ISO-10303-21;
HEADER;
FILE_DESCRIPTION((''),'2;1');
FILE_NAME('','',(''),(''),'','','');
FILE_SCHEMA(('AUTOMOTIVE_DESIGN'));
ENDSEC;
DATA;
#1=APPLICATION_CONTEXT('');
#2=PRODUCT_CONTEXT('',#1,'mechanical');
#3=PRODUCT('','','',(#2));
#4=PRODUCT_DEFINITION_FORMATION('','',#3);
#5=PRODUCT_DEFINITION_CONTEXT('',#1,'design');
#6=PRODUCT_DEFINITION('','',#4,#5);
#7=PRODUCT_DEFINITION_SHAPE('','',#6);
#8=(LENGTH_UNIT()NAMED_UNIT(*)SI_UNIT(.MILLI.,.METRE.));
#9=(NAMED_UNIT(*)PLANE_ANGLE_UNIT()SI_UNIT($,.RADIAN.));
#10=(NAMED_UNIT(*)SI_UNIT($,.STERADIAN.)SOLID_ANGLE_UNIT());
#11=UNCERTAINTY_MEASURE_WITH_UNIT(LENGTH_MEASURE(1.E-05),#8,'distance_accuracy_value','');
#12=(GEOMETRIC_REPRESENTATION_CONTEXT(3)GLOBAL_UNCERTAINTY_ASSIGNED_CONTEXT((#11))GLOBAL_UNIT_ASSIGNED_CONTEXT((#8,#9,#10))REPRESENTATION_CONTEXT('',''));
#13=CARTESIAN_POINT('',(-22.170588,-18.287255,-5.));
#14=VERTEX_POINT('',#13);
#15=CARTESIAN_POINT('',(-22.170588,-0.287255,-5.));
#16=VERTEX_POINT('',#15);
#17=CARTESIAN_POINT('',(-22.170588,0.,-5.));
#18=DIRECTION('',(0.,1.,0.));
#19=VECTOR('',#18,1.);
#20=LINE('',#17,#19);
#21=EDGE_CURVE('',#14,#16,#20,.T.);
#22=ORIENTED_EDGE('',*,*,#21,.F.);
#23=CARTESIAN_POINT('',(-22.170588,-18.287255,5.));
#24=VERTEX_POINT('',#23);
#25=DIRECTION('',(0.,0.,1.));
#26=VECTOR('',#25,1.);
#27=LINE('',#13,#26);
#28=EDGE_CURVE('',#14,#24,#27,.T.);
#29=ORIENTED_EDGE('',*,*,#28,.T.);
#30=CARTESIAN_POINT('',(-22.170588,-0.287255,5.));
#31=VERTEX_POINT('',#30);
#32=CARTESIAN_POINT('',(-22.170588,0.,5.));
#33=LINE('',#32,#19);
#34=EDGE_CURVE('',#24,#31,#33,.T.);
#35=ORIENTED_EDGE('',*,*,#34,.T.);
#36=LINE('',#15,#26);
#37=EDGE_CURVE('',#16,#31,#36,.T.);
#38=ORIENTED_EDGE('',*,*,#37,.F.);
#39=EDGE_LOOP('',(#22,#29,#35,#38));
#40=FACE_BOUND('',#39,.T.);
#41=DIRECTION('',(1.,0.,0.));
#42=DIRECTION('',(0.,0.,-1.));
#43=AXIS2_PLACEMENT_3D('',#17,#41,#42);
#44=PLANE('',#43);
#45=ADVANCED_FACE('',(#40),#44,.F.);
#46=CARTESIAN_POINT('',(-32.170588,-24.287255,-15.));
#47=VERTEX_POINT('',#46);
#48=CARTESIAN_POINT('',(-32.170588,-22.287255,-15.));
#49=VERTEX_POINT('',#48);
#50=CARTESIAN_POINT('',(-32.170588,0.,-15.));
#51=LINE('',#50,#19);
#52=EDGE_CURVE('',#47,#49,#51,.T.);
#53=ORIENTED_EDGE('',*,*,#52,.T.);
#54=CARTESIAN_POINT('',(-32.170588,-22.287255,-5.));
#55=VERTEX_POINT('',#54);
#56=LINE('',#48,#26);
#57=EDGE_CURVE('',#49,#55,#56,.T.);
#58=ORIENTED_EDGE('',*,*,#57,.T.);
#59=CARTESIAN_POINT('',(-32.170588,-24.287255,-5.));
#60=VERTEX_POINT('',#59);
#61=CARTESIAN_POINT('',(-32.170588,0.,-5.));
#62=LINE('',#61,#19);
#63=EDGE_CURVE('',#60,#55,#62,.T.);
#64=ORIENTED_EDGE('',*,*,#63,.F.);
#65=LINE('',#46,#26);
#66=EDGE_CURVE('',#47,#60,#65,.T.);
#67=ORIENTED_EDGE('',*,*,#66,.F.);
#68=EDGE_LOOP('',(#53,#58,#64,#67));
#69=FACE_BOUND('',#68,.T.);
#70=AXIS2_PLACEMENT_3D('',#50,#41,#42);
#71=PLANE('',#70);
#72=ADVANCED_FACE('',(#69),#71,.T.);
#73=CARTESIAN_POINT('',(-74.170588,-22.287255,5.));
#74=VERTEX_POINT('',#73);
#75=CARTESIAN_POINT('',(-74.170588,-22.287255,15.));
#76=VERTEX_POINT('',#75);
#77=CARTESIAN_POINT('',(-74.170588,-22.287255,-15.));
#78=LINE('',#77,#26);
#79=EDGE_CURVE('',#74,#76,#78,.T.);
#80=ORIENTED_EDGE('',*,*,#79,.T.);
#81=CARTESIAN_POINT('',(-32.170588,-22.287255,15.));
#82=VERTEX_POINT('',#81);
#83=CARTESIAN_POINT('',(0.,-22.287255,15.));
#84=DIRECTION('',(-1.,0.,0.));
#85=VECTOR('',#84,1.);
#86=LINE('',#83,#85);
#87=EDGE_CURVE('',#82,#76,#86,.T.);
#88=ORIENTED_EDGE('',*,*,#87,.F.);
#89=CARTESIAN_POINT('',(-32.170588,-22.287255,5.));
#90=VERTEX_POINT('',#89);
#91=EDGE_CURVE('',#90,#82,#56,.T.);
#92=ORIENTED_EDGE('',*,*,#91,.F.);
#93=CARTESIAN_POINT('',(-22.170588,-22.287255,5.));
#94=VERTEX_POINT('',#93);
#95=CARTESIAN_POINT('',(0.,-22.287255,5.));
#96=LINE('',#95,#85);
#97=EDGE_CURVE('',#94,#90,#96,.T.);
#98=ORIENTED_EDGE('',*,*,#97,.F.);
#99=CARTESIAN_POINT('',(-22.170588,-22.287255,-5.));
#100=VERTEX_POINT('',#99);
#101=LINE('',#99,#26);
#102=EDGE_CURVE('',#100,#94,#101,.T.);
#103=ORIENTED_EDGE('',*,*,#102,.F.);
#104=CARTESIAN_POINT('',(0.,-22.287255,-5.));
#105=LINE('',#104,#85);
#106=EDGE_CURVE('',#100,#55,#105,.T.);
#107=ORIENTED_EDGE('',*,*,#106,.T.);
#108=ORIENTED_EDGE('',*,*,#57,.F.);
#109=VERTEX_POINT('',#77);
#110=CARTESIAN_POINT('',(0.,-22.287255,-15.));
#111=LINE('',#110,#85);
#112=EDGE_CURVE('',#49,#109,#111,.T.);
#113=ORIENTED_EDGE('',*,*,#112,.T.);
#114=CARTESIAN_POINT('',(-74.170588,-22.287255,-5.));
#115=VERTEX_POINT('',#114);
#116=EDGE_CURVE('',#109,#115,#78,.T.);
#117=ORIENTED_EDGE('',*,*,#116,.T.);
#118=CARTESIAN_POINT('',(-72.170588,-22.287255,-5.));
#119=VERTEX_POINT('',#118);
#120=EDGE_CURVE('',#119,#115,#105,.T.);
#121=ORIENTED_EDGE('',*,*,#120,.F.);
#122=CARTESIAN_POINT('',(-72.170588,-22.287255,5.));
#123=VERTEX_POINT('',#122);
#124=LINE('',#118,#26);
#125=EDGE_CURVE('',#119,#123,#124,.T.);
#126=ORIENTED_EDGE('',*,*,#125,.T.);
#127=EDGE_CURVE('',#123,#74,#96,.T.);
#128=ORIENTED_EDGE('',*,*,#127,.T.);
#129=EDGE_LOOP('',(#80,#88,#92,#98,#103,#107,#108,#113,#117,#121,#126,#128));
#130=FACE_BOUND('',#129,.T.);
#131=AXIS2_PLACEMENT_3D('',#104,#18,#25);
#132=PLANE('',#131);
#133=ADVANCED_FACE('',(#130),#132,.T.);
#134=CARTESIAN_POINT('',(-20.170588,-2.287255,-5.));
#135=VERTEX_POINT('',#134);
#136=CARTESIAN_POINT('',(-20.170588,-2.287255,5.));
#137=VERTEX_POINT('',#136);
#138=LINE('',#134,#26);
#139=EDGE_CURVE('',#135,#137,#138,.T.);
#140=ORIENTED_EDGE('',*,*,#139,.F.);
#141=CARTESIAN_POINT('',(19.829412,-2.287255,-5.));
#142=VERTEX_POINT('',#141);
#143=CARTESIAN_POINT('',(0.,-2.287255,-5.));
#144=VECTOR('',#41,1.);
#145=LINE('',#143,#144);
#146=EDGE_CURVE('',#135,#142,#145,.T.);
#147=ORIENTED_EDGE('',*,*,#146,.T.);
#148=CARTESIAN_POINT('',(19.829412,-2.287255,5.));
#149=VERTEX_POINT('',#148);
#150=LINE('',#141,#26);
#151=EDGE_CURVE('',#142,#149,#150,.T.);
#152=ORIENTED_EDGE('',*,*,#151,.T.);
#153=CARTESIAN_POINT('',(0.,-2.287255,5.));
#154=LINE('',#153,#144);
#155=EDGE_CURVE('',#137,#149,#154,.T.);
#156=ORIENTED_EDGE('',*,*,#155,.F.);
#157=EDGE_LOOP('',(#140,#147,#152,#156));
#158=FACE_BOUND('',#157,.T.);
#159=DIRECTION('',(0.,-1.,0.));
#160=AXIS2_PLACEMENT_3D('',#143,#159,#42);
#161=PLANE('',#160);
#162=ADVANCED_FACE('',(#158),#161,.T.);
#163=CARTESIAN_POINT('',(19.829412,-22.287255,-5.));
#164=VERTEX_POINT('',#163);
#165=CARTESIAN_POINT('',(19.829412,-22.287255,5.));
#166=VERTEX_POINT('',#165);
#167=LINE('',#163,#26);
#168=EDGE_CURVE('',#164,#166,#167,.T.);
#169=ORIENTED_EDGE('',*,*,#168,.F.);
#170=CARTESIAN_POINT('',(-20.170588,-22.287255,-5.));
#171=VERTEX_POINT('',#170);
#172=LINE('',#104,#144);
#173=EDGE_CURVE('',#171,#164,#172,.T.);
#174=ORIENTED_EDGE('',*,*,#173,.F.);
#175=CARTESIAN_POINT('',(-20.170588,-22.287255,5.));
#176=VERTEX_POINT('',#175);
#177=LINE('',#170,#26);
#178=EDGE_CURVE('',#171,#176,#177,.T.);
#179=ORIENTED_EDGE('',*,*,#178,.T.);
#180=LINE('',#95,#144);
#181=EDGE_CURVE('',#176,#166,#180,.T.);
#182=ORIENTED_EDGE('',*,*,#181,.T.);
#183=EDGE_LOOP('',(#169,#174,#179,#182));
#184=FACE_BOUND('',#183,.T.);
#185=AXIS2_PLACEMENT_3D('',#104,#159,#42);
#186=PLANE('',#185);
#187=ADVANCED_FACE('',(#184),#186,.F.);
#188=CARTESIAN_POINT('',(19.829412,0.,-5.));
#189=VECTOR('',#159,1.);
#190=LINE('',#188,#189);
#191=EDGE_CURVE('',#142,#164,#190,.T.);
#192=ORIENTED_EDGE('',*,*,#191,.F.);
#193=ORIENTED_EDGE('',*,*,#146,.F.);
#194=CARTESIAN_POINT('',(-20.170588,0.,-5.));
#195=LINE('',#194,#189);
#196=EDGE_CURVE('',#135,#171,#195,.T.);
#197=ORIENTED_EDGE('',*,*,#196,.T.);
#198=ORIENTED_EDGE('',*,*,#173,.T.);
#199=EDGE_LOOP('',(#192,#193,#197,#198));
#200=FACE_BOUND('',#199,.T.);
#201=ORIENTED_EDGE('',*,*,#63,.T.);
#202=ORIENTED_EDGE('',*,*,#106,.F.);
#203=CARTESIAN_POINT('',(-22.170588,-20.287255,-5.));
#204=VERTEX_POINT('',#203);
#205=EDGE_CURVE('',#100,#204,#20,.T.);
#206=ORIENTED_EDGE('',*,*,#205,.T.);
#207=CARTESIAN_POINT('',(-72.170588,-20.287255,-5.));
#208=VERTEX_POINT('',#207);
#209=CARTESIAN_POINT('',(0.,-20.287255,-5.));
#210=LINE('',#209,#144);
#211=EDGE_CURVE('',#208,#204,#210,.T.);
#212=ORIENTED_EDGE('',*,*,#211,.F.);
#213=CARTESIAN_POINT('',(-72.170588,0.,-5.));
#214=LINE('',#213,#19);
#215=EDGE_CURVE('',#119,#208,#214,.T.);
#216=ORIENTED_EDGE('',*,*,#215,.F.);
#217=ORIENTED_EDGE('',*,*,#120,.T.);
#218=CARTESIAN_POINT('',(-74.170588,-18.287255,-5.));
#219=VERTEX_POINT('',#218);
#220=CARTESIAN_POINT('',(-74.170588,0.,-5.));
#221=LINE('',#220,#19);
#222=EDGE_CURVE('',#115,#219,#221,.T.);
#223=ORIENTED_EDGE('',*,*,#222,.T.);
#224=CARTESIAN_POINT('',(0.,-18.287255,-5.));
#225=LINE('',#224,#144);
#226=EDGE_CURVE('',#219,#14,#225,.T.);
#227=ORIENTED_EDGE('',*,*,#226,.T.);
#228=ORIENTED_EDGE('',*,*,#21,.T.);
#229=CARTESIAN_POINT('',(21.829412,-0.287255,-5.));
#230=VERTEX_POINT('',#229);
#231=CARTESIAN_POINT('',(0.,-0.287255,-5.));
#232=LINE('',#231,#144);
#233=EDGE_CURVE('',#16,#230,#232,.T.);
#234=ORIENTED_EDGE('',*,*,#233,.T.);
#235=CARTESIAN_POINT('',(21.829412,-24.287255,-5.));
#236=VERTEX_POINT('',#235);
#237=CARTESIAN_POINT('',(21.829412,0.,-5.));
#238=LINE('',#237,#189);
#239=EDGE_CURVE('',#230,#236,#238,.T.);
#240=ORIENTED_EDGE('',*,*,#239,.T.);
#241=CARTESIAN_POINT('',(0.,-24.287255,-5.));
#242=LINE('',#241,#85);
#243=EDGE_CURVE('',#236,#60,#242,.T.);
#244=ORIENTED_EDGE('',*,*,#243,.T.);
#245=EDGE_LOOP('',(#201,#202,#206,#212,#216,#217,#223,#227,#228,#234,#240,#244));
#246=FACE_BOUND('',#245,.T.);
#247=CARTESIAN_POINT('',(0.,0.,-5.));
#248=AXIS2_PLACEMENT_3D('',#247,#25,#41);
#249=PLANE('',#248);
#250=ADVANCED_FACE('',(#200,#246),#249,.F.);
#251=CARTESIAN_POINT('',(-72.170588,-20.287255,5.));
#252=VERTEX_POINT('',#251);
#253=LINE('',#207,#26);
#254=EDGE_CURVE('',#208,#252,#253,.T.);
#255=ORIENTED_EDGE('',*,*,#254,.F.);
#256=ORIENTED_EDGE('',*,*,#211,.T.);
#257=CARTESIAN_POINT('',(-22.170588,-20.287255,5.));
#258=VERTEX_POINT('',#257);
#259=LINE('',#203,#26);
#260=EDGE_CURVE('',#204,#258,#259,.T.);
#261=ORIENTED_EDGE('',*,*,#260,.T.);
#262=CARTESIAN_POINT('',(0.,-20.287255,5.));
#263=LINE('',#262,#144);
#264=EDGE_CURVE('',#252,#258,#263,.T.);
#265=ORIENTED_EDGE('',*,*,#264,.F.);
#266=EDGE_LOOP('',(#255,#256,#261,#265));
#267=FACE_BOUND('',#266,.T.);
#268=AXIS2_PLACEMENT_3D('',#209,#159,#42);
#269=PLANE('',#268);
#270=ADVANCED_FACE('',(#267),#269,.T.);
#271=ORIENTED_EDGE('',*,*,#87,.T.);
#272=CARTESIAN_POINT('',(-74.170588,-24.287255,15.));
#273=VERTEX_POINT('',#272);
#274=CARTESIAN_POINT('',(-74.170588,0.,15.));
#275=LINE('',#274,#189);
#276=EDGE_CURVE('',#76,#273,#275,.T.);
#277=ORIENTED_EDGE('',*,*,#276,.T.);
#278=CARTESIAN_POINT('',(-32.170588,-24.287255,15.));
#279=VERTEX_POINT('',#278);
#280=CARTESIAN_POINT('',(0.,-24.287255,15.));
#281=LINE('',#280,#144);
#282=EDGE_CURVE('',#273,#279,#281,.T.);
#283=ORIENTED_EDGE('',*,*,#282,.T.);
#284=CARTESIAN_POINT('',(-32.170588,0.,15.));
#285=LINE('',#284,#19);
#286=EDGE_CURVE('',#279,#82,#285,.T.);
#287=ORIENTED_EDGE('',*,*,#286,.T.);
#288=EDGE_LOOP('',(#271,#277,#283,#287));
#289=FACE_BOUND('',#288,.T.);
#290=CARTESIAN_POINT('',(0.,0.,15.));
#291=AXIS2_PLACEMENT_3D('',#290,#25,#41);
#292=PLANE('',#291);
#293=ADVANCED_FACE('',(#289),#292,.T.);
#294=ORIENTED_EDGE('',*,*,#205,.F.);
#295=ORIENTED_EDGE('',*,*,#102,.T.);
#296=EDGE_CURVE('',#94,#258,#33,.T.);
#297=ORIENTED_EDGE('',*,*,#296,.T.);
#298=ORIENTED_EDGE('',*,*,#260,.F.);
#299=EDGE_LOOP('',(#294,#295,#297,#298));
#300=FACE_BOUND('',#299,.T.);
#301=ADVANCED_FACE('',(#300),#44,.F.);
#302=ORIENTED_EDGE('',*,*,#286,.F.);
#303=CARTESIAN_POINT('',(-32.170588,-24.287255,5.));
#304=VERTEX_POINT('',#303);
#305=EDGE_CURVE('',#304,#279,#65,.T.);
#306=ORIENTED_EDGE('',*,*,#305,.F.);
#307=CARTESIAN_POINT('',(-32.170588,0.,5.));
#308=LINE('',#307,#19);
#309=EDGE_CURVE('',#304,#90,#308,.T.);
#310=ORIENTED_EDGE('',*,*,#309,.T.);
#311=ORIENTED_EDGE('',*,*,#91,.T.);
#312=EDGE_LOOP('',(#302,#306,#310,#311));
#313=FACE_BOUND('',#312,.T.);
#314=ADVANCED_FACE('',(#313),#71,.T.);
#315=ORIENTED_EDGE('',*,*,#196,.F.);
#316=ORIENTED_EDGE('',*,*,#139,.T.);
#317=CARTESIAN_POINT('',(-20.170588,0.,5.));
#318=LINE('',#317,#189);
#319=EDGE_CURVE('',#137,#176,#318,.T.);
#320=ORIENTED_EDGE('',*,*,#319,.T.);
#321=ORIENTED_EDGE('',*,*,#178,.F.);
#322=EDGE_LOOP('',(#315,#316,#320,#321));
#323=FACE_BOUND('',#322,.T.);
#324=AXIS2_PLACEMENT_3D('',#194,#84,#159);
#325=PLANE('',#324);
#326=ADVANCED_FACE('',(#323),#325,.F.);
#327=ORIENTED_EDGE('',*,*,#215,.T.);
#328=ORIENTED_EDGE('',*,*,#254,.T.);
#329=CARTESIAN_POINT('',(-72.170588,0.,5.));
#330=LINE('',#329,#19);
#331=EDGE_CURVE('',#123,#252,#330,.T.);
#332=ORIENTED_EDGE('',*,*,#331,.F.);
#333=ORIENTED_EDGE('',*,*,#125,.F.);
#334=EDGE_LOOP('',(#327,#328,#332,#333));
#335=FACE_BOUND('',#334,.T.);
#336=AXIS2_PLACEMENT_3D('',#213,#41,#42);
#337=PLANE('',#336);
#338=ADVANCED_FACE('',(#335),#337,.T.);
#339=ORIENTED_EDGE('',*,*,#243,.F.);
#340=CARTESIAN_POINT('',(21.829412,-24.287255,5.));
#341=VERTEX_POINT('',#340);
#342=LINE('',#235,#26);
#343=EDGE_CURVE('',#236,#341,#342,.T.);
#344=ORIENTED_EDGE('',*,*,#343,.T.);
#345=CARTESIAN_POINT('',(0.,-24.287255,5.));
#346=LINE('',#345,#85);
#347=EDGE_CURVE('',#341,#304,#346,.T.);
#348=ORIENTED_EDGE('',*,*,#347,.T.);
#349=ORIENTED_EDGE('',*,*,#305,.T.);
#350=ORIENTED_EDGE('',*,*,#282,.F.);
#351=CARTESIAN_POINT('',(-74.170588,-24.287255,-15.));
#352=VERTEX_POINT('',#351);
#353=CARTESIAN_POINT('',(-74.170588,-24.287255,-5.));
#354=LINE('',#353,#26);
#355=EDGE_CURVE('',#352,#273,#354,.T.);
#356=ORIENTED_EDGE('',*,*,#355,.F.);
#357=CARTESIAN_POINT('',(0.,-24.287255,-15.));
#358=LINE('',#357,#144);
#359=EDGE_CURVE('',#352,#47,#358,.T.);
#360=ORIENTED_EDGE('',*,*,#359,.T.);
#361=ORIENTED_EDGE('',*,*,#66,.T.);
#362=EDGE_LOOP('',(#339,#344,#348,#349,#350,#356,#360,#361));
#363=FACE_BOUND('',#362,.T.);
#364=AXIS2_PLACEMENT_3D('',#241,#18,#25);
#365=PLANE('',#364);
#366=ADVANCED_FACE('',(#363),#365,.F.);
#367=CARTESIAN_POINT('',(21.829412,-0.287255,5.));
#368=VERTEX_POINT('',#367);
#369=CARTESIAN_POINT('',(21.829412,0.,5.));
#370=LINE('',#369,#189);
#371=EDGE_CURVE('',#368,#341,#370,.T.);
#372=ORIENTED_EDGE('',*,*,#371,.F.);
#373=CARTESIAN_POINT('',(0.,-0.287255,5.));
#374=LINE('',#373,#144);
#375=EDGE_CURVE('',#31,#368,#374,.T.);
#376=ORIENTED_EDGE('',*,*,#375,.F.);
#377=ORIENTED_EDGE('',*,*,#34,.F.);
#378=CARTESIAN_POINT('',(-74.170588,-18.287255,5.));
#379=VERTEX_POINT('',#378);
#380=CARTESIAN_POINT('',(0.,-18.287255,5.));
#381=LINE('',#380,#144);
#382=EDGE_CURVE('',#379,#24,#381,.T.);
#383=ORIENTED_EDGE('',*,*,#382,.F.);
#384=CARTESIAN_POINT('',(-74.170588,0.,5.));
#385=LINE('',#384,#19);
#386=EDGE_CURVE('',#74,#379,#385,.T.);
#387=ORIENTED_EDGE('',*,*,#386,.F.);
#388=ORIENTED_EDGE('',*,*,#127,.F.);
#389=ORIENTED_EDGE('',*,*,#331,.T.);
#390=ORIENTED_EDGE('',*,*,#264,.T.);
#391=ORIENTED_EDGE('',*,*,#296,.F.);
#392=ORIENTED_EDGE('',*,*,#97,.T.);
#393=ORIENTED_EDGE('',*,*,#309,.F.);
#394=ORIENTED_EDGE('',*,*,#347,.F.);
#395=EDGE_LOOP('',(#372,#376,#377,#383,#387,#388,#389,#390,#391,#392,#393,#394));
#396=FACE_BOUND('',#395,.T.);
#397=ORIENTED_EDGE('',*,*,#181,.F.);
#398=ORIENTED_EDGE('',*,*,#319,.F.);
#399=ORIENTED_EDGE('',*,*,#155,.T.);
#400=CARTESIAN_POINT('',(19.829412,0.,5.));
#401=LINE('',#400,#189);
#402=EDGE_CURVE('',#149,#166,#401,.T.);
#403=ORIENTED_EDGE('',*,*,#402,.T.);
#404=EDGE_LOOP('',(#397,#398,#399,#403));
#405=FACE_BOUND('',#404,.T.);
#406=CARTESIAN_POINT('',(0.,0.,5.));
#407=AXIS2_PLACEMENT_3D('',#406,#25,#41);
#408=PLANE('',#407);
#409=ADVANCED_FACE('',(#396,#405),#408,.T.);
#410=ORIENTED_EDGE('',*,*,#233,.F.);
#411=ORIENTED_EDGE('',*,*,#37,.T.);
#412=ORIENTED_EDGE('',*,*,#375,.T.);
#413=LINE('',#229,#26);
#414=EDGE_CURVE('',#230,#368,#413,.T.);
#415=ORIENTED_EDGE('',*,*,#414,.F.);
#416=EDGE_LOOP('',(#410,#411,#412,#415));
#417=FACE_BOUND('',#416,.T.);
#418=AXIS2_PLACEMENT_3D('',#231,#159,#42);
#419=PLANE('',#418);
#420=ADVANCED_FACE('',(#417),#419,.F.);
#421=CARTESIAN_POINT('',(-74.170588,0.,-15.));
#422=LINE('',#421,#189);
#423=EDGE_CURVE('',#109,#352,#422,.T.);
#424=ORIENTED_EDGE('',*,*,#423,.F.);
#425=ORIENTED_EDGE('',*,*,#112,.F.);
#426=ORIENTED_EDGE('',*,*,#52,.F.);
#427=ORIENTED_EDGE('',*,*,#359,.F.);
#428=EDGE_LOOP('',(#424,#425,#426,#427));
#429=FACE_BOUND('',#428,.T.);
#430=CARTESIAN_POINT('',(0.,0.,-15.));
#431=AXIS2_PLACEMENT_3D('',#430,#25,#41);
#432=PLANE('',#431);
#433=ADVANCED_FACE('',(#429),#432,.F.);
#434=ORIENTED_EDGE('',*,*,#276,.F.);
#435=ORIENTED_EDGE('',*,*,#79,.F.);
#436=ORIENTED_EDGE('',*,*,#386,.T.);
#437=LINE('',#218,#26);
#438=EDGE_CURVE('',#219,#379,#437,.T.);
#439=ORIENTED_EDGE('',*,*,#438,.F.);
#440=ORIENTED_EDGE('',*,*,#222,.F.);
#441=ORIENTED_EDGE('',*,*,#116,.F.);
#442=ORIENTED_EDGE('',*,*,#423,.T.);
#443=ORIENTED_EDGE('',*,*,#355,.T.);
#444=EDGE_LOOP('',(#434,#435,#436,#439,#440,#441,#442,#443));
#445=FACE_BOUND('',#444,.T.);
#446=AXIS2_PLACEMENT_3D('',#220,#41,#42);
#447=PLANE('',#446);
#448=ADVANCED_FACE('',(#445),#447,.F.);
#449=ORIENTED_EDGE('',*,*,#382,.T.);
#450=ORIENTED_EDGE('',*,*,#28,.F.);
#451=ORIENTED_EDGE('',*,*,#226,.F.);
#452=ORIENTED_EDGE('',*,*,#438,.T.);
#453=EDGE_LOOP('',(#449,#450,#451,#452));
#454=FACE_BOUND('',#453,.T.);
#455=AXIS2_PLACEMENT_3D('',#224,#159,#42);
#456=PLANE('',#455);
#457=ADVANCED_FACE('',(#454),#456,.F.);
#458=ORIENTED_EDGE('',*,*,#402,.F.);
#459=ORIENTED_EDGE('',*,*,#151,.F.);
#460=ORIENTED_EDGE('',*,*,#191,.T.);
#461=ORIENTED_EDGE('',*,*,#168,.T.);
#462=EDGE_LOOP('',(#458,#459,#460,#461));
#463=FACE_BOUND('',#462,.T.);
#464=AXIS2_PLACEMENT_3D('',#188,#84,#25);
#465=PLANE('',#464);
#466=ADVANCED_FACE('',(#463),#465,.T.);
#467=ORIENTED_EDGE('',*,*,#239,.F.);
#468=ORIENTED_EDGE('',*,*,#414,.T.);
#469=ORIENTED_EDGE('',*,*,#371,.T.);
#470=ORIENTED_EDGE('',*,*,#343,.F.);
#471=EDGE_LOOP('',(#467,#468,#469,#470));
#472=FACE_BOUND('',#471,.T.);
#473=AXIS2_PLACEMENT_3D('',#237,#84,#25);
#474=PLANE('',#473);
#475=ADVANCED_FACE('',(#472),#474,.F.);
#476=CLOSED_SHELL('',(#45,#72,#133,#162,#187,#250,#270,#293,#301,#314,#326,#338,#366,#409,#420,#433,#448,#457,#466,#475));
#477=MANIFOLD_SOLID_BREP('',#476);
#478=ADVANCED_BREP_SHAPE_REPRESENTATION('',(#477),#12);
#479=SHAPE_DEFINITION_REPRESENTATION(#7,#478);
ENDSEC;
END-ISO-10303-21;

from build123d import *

# Parameters (mm, degrees)
EXTRUDE_1_DEPTH      = 5
EXTRUDE_1_DEPTH_BACK = 5
SKETCH_1_W           = 50
SKETCH_1_H           = 2
SKETCH_1_W_2         = 40
SKETCH_1_H_2         = 20
EXTRUDE_2_DEPTH      = 10
EXTRUDE_2_DEPTH_BACK = 20


with BuildPart() as part:
    # 草图1 → 凸台-拉伸1 (new, two sides: drawn at the far end of the back side and taken through both)
    with BuildSketch(Plane.XY.offset(-EXTRUDE_1_DEPTH_BACK)):
        Polygon((-74.170588235, -24.287254902), (-22.170588235, -24.287254902), (21.829411765, -24.287254902), (21.829411765, -0.287254902), (-22.170588235, -0.287254902), (-22.170588235, -18.287254902), (-74.170588235, -18.287254902), (-74.170588235, -22.287254902), align=None)
        with Locations((-47.170588235, -21.287254902)):
            Rectangle(SKETCH_1_W, SKETCH_1_H, mode=Mode.SUBTRACT)
        with Locations((-0.170588235, -12.287254902)):
            Rectangle(SKETCH_1_W_2, SKETCH_1_H_2, mode=Mode.SUBTRACT)
    extrude(amount=EXTRUDE_1_DEPTH + EXTRUDE_1_DEPTH_BACK)

    # 草图2 → 凸台-拉伸2 (add, two sides: drawn at the far end of the back side and taken through both)
    with BuildSketch(Plane.XY.offset(5).offset(-EXTRUDE_2_DEPTH_BACK)):
        Polygon((-74.170588235, -24.287254902), (-32.170588235, -24.287254902), (-32.170588235, -22.287254902), (-72.170588235, -22.287254902), (-74.170588235, -22.287254902), align=None)
    extrude(amount=EXTRUDE_2_DEPTH + EXTRUDE_2_DEPTH_BACK)


solid = part.part
